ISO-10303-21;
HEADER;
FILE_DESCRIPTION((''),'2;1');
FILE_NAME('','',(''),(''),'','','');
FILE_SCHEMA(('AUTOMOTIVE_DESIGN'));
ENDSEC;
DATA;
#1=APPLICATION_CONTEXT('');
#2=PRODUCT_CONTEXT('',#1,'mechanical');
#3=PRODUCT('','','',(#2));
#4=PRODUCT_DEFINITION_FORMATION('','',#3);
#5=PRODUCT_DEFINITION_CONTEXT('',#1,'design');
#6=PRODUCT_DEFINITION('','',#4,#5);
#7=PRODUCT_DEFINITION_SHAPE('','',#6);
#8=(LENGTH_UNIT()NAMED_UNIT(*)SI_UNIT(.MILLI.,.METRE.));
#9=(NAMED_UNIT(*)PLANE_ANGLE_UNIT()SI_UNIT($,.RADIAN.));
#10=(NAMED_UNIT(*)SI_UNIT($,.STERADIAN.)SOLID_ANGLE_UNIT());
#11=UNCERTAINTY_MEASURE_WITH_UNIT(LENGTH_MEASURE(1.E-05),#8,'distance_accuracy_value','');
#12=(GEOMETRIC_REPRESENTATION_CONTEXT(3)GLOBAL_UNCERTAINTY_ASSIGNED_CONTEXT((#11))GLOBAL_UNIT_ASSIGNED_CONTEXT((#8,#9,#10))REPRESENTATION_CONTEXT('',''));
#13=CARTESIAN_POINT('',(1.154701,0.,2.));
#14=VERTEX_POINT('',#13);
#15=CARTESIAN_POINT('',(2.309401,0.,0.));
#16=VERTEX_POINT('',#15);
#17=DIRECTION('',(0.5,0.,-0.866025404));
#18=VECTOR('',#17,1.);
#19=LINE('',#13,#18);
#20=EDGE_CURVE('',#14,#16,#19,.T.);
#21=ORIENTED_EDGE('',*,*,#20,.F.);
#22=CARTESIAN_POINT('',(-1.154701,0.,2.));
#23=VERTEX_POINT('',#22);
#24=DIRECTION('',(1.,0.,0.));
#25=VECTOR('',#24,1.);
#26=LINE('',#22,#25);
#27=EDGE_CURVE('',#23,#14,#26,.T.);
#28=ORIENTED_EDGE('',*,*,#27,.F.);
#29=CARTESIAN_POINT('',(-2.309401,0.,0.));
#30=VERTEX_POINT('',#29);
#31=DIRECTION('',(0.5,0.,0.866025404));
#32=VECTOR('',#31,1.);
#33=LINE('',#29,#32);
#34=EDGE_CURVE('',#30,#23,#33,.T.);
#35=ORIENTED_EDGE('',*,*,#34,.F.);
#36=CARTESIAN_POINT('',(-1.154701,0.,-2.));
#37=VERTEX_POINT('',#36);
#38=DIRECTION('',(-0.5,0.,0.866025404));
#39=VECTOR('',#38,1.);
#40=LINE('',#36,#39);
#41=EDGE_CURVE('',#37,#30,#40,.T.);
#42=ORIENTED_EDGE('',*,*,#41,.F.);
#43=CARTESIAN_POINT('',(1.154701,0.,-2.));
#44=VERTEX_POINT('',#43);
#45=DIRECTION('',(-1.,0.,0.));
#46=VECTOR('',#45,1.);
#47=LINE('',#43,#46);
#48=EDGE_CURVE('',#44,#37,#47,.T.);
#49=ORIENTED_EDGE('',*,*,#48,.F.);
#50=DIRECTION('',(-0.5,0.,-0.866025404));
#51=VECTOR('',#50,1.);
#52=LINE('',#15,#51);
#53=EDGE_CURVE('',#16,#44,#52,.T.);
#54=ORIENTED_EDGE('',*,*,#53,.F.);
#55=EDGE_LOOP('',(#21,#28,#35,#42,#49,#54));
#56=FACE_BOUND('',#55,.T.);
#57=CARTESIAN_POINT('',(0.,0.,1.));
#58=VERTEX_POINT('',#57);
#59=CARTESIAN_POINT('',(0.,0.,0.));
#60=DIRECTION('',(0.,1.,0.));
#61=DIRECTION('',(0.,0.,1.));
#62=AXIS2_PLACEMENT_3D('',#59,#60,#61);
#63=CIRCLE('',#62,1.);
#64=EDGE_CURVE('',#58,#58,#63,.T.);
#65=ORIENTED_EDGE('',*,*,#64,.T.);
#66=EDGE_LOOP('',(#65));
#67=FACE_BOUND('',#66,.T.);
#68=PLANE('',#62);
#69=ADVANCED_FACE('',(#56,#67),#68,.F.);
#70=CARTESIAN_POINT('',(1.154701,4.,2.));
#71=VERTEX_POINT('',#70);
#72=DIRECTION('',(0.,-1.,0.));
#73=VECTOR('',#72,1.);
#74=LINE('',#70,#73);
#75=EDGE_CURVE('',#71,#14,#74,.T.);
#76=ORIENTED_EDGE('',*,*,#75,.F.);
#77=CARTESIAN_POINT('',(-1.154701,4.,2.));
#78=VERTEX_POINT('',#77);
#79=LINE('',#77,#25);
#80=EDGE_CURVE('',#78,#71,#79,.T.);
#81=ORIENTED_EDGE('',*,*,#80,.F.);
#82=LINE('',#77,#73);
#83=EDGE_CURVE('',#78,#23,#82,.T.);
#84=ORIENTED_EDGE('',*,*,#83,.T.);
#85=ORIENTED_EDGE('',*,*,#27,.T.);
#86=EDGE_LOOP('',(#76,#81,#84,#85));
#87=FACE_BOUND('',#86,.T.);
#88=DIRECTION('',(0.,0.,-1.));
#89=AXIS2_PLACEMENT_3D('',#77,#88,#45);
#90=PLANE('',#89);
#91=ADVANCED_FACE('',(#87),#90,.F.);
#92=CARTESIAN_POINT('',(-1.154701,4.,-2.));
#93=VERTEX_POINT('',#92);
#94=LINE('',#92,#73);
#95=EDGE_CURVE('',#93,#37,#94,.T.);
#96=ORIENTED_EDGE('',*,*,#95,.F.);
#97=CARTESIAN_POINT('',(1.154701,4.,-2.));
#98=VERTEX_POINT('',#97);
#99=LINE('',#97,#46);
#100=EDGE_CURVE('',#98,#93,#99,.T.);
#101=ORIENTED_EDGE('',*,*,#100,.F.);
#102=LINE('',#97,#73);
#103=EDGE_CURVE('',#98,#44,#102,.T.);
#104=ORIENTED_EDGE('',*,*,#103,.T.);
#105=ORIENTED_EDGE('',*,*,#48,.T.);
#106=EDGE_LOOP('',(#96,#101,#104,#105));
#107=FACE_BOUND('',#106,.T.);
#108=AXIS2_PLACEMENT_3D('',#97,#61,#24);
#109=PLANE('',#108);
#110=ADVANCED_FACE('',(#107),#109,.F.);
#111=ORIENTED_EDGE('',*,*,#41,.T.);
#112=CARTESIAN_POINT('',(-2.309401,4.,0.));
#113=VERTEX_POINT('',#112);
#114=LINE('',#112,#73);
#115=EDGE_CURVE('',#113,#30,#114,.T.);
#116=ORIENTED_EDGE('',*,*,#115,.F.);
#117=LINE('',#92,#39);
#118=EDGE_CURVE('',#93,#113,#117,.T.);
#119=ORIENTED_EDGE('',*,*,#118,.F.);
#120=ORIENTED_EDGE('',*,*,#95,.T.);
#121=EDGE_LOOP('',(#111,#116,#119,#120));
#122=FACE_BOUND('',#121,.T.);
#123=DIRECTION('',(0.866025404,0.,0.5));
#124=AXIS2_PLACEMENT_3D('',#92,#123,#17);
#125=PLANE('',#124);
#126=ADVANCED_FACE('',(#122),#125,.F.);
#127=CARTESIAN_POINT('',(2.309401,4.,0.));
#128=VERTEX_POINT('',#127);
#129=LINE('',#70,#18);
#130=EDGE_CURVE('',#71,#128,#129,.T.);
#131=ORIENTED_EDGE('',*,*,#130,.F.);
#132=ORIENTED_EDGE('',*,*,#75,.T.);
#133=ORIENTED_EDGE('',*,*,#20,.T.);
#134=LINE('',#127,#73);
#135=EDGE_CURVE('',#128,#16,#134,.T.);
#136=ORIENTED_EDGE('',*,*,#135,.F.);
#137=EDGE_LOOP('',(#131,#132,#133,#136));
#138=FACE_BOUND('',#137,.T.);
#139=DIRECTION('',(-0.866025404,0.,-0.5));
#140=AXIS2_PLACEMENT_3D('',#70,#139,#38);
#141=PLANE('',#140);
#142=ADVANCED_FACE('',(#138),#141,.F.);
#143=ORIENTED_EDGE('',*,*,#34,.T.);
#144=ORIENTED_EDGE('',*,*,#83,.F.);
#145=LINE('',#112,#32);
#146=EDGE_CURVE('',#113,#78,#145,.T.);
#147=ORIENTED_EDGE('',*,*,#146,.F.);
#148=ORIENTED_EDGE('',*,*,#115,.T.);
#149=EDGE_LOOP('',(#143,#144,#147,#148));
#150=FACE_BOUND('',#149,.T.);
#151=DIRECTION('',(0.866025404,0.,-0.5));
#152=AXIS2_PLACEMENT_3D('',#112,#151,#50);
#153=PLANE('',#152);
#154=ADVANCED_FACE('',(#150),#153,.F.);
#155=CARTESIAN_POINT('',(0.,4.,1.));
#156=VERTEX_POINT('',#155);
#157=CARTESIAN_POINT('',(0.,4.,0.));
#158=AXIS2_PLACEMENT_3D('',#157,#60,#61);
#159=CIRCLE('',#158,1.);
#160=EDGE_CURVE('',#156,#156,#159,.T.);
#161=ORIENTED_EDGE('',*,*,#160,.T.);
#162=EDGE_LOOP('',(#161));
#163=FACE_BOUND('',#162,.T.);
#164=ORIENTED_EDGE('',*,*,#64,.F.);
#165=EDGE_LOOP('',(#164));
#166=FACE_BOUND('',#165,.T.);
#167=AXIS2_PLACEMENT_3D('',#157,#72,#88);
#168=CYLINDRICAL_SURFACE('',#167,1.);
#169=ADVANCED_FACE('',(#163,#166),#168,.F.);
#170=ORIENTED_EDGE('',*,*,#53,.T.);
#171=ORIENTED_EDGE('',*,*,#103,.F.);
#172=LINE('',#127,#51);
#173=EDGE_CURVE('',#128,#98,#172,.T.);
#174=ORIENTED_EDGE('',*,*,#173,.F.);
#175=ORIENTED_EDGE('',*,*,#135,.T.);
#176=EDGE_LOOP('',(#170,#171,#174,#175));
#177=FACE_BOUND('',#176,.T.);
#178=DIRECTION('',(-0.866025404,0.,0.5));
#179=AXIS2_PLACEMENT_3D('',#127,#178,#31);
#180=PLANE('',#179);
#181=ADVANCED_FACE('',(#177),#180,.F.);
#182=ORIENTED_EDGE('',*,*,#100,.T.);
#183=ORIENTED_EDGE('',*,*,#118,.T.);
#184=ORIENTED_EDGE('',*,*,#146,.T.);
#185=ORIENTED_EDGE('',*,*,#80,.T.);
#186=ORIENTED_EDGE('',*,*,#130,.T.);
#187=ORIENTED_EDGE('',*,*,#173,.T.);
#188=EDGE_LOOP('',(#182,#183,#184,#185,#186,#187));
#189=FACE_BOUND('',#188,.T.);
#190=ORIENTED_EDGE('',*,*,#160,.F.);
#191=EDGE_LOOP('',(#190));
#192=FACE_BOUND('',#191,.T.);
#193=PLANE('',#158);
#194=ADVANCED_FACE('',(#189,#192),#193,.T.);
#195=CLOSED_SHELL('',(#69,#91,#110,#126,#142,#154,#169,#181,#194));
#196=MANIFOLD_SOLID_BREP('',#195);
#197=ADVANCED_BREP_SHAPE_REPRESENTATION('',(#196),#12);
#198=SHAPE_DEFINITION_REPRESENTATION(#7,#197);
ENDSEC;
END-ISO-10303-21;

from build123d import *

# Parameters (mm, degrees)
SKETCH_1_R      = 1
EXTRUDE_1_DEPTH = 4


with BuildPart() as part:
    # 草图1 → 凸台-拉伸1 (new body)
    with BuildSketch(Plane(origin=(0, 0, 0), x_dir=(1, 0, 0), z_dir=(0, 1, 0))):
        Polygon((2.309401077, 0), (1.154700538, 2), (-1.154700538, 2), (-2.309401077, 0), (-1.154700538, -2), (1.154700538, -2), align=None)
        Circle(SKETCH_1_R, mode=Mode.SUBTRACT)
    extrude(amount=EXTRUDE_1_DEPTH)


solid = part.part
